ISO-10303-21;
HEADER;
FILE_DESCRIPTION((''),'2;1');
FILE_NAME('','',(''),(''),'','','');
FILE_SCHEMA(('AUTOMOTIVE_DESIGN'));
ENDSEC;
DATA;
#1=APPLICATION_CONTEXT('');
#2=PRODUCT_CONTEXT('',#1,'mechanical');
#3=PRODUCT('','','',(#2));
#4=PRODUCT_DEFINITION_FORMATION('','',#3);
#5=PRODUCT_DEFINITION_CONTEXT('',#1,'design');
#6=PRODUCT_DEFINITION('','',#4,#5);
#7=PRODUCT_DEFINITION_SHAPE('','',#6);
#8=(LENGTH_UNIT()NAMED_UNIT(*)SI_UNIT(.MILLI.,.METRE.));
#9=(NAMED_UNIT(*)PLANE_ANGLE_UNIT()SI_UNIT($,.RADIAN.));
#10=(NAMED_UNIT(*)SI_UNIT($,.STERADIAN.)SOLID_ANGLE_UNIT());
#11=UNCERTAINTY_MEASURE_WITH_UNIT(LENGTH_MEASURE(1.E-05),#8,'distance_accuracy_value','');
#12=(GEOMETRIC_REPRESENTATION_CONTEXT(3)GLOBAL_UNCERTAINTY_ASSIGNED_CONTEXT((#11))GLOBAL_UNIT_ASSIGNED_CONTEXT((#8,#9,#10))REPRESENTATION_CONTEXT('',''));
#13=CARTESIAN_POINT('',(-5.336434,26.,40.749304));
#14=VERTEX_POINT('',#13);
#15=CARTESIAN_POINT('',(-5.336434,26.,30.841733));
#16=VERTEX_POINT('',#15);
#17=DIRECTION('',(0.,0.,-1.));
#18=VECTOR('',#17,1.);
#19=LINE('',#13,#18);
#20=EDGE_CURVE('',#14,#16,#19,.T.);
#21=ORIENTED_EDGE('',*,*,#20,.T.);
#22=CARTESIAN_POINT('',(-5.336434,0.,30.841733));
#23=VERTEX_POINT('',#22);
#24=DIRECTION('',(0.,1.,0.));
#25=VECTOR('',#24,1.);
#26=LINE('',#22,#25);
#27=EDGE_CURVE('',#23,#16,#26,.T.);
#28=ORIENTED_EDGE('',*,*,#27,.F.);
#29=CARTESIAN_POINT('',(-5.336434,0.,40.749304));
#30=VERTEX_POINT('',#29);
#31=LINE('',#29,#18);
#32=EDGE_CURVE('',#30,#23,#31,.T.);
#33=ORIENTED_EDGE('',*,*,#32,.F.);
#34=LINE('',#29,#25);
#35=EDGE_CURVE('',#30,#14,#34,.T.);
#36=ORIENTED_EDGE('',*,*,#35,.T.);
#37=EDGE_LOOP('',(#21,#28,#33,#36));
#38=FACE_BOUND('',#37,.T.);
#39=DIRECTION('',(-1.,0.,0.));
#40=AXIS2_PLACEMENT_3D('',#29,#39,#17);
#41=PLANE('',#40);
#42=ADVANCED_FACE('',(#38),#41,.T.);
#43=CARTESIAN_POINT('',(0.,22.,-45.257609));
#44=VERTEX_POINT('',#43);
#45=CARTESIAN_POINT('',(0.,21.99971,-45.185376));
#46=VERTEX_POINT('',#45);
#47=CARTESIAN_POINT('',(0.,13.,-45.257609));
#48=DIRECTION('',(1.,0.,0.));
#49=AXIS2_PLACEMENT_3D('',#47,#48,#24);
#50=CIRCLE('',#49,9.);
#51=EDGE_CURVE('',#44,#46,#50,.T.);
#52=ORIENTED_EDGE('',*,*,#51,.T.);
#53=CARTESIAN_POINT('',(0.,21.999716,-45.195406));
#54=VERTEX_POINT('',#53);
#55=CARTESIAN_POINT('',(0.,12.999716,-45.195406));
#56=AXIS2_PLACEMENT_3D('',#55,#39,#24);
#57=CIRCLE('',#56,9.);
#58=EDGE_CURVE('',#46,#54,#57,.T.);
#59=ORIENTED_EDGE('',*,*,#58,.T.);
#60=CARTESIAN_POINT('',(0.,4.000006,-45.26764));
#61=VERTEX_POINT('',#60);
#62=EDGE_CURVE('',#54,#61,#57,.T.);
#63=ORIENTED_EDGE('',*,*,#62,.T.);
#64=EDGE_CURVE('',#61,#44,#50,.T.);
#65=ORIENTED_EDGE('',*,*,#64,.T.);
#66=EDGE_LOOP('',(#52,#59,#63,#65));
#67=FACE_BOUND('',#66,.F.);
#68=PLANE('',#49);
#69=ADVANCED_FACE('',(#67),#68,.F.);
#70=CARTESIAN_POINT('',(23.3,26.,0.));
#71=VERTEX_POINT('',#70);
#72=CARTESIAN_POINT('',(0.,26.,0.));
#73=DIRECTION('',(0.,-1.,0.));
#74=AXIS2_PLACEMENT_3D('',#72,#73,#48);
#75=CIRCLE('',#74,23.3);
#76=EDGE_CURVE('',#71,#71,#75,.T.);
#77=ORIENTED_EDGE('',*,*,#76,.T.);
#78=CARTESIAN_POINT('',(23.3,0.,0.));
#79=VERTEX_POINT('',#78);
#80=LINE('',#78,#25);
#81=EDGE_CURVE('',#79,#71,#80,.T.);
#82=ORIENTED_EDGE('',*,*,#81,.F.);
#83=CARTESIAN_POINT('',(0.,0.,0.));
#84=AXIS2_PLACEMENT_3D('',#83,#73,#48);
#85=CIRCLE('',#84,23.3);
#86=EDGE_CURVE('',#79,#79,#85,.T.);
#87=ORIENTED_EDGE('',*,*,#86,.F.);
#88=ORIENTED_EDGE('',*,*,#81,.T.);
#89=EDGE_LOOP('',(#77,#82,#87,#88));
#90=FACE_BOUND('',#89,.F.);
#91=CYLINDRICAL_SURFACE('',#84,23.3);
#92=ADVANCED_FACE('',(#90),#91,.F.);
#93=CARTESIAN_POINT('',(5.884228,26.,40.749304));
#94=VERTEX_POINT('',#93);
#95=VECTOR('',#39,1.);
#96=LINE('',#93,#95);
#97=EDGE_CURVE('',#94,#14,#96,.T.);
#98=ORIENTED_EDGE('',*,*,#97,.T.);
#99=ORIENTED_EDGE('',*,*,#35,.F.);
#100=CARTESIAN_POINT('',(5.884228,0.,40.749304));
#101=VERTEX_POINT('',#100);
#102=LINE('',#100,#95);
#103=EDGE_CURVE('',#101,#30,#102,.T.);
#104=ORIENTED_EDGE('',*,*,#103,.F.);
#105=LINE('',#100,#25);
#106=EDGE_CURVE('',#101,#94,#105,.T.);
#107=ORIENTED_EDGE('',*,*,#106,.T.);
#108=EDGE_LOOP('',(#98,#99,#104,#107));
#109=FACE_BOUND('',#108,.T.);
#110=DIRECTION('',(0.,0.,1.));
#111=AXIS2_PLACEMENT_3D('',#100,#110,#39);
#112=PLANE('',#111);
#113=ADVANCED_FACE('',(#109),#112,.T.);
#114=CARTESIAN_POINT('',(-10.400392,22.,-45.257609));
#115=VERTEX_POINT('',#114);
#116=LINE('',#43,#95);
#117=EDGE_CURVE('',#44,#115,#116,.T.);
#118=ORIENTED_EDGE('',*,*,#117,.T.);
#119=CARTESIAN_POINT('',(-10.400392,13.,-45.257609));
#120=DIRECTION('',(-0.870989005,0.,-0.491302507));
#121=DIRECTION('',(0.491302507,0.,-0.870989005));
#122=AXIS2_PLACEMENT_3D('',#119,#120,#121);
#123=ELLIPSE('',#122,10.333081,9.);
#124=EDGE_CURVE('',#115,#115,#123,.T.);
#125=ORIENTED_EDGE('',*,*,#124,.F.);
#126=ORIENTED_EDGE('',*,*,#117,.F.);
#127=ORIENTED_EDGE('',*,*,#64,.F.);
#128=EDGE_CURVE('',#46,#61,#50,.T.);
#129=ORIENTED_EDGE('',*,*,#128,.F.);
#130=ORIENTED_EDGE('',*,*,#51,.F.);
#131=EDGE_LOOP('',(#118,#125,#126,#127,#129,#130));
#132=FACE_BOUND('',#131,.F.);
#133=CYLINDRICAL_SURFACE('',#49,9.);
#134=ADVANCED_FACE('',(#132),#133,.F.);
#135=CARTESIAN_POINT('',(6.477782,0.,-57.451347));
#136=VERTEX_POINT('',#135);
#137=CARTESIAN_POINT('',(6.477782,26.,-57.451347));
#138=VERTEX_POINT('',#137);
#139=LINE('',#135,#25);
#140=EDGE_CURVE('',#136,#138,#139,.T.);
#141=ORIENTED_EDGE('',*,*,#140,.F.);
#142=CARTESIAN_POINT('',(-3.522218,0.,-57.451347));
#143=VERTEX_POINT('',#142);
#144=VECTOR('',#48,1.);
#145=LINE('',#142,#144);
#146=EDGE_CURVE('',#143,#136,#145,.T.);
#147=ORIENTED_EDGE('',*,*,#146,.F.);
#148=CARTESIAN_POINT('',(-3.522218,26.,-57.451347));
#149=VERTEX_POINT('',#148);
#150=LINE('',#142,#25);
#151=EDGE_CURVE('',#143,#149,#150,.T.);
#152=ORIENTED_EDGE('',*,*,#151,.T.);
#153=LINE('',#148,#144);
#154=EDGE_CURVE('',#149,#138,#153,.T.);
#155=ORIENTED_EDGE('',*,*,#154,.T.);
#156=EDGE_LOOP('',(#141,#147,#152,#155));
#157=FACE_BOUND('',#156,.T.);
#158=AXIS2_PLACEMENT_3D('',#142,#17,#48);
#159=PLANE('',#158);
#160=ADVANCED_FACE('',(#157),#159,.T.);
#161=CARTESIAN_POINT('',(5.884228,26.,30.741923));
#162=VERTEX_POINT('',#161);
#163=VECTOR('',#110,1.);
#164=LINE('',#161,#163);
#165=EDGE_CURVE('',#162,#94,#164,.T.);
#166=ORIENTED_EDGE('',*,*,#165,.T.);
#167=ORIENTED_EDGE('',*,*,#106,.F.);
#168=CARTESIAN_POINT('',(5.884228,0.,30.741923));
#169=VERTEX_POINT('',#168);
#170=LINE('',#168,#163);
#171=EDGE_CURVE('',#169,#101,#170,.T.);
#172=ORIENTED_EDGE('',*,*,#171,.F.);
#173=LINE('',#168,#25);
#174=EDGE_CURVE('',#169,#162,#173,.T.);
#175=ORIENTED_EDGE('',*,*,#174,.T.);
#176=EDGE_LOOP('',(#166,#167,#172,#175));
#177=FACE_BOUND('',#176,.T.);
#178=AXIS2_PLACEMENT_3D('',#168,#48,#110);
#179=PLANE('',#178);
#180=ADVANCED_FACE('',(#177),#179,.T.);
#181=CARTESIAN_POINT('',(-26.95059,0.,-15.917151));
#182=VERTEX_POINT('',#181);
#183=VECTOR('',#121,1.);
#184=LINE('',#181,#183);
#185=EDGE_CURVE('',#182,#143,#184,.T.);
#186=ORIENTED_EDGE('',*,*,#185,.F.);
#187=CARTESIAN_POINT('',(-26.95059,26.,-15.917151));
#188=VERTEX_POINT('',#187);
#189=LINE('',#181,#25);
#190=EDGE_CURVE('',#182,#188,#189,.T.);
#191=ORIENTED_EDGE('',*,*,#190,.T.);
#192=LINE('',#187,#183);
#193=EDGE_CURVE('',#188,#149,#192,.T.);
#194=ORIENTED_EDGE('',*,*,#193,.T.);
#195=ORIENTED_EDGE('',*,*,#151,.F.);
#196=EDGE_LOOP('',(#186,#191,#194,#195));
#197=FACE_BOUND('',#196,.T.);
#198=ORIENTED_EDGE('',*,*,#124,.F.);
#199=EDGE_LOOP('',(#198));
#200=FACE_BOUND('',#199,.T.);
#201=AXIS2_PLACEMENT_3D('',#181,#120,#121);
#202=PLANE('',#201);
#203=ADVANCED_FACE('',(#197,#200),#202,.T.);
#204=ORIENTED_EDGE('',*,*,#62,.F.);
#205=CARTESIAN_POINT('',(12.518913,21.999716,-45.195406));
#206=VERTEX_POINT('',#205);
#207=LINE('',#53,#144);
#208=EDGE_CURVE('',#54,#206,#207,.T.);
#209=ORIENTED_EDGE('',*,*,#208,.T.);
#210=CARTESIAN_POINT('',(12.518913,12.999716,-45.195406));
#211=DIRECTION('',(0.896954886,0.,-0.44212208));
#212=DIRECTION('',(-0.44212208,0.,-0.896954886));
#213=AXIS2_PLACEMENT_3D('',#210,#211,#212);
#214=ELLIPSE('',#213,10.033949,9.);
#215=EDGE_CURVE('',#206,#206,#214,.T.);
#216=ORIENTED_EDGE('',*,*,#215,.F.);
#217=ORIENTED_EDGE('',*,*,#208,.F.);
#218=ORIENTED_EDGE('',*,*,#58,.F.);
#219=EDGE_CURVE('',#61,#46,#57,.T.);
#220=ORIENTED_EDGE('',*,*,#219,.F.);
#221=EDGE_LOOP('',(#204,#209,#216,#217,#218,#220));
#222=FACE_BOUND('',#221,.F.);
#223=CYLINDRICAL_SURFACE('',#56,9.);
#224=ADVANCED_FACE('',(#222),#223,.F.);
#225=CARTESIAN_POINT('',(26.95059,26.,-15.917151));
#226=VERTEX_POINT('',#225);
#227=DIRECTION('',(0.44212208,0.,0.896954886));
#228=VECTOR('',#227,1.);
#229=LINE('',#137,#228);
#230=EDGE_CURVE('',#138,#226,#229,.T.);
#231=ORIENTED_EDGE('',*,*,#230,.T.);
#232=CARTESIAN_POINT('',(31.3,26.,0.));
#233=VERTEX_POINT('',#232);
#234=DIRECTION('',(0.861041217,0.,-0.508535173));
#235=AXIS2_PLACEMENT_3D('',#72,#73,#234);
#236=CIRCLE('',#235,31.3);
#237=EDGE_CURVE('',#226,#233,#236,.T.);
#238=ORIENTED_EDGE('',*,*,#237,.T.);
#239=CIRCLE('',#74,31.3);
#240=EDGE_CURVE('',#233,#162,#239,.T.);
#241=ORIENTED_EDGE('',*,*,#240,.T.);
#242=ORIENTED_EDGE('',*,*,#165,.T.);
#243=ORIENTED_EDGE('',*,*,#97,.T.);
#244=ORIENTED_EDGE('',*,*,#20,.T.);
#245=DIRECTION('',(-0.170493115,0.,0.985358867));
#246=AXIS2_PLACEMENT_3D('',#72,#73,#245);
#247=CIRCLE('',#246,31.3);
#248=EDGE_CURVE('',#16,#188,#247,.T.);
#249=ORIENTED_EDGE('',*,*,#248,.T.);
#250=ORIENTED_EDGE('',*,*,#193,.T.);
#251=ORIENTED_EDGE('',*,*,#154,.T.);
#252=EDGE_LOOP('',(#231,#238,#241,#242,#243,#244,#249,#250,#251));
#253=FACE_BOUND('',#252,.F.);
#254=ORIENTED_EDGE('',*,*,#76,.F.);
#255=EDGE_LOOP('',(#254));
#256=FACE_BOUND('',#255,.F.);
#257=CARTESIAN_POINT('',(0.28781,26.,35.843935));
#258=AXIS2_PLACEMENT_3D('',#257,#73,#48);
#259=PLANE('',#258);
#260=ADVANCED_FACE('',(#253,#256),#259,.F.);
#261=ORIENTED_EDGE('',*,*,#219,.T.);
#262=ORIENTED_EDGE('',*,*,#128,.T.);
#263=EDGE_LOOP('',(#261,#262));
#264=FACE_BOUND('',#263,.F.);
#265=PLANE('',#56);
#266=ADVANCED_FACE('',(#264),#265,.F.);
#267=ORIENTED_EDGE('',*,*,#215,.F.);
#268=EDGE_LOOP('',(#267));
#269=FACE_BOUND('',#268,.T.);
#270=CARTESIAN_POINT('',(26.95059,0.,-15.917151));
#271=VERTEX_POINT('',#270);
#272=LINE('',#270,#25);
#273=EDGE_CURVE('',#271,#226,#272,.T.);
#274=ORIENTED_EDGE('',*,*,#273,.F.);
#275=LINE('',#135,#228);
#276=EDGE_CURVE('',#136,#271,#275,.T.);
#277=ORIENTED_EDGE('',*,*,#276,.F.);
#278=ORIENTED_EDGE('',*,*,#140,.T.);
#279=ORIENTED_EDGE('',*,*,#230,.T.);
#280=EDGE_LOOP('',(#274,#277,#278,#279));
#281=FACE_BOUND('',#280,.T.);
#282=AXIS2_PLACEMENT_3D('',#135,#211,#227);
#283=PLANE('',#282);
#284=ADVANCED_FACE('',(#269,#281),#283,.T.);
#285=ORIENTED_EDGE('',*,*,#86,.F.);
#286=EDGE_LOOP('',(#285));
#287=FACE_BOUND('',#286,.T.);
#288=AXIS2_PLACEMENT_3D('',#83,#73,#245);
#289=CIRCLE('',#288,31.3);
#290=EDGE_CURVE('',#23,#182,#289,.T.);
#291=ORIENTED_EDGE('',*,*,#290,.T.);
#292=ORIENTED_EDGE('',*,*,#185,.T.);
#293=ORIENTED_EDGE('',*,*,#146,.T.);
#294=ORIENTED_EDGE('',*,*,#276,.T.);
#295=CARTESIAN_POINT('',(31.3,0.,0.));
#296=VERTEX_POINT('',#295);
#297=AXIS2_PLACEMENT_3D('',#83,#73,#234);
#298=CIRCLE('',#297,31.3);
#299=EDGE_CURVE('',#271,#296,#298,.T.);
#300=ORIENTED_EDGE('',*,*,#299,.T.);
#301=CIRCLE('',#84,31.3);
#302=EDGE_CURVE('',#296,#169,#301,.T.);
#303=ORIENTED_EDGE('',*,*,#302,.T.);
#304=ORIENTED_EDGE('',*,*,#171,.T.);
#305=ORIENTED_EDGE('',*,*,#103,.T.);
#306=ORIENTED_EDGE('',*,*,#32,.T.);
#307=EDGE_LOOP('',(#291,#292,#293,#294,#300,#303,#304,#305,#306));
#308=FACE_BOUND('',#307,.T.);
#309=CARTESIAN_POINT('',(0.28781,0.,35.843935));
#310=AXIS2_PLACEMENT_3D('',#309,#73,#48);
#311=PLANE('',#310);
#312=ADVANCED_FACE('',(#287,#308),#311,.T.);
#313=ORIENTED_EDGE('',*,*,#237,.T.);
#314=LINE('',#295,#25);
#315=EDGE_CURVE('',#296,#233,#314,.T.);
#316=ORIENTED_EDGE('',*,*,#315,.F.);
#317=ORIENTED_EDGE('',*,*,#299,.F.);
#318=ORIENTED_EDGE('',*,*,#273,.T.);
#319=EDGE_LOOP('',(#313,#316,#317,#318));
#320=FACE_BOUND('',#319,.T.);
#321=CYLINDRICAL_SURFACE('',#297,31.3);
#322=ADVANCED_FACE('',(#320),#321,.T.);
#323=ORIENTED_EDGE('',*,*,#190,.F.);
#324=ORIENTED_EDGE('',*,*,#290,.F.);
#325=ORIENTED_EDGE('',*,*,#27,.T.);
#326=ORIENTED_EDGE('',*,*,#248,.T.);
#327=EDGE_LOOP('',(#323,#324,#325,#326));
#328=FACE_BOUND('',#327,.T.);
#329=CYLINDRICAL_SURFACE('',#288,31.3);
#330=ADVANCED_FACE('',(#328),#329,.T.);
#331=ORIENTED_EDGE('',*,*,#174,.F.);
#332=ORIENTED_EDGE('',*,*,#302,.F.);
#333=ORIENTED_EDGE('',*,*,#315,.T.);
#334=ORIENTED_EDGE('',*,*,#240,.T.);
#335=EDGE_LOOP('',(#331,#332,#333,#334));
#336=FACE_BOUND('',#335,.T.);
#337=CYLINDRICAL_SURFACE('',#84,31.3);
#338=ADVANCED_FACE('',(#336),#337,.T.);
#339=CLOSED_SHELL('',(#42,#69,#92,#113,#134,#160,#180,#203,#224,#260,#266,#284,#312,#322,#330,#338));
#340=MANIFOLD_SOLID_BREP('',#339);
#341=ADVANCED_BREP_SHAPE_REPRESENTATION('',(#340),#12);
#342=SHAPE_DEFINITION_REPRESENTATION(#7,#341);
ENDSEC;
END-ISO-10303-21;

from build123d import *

# Parameters (mm, degrees)
F0_R     = 23.3
F2_DEPTH = 26
F3_D     = 18
F3_DEPTH = 31.301
F4_D     = 18
F4_DEPTH = 31.301


with BuildPart() as f2:
    # F0 (on Front) → F2 (new body)
    with BuildSketch(Plane.XZ):
        with BuildLine():
            ThreePointArc((-5.3364344982, 30.8417325526), (0.278406123, 31.2987617971), (5.8842282742, 30.7419234534))
            Line((5.8842282742, 30.7419234534), (5.8842282742, 40.749304027))
            Line((5.8842282742, 40.749304027), (-5.3364344982, 40.749304027))
            Line((-5.3364344982, 40.749304027), (-5.3364344982, 30.8417325526))
        make_face()
        with BuildLine():
            ThreePointArc((26.9505900946, -15.9171509245), (30.1930742883, -8.2503493877), (31.3, 0))
            ThreePointArc((31.3, 0), (24.1232910792, 19.9438418442), (5.8842282742, 30.7419234534))
            ThreePointArc((5.8842282742, 30.7419234534), (0.278406123, 31.2987617971), (-5.3364344982, 30.8417325526))
            ThreePointArc((-5.3364344982, 30.8417325526), (-28.4114639762, 13.1331151952), (-26.9505900946, -15.9171509245))
            ThreePointArc((-26.9505900946, -15.9171509245), (-14.8696278527, -27.5424067126), (1.4777821376, -31.2650949136))
            ThreePointArc((1.4777821376, -31.2650949136), (16.1534186201, -26.8096450347), (26.9505900946, -15.9171509245))
        make_face()
        Circle(F0_R, mode=Mode.SUBTRACT)
        with BuildLine():
            Line((6.4777821376, -57.4513469467), (26.9505900946, -15.9171509245))
            ThreePointArc((26.9505900946, -15.9171509245), (16.1534186201, -26.8096450347), (1.4777821376, -31.2650949136))
            Line((1.4777821376, -31.2650949136), (1.4777821376, -57.4513469467))
            Line((1.4777821376, -57.4513469467), (6.4777821376, -57.4513469467))
        make_face()
        with BuildLine():
            Line((1.4777821376, -57.4513469467), (1.4777821376, -31.2650949136))
            ThreePointArc((1.4777821376, -31.2650949136), (-14.8696278527, -27.5424067126), (-26.9505900946, -15.9171509245))
            Line((-26.9505900946, -15.9171509245), (-3.5222178624, -57.4513469467))
            Line((-3.5222178624, -57.4513469467), (1.4777821376, -57.4513469467))
        make_face()
    extrude(amount=-F2_DEPTH)

    # F3 (through all, one way)
    with BuildSketch(Plane.YZ):
        with Locations((13, -45.2576093376)):
            Circle(F3_D / 2)
    extrude(amount=-F3_DEPTH, mode=Mode.SUBTRACT)

    # F4 (through all, one way)
    with BuildSketch(Plane(origin=(0, 0, 0), x_dir=(0, 1, 0), z_dir=(-1, 0, 0))):
        with Locations((12.9997157162, 45.1954063838)):
            Circle(F4_D / 2)
    extrude(amount=-F4_DEPTH, mode=Mode.SUBTRACT)


solid = f2.part
